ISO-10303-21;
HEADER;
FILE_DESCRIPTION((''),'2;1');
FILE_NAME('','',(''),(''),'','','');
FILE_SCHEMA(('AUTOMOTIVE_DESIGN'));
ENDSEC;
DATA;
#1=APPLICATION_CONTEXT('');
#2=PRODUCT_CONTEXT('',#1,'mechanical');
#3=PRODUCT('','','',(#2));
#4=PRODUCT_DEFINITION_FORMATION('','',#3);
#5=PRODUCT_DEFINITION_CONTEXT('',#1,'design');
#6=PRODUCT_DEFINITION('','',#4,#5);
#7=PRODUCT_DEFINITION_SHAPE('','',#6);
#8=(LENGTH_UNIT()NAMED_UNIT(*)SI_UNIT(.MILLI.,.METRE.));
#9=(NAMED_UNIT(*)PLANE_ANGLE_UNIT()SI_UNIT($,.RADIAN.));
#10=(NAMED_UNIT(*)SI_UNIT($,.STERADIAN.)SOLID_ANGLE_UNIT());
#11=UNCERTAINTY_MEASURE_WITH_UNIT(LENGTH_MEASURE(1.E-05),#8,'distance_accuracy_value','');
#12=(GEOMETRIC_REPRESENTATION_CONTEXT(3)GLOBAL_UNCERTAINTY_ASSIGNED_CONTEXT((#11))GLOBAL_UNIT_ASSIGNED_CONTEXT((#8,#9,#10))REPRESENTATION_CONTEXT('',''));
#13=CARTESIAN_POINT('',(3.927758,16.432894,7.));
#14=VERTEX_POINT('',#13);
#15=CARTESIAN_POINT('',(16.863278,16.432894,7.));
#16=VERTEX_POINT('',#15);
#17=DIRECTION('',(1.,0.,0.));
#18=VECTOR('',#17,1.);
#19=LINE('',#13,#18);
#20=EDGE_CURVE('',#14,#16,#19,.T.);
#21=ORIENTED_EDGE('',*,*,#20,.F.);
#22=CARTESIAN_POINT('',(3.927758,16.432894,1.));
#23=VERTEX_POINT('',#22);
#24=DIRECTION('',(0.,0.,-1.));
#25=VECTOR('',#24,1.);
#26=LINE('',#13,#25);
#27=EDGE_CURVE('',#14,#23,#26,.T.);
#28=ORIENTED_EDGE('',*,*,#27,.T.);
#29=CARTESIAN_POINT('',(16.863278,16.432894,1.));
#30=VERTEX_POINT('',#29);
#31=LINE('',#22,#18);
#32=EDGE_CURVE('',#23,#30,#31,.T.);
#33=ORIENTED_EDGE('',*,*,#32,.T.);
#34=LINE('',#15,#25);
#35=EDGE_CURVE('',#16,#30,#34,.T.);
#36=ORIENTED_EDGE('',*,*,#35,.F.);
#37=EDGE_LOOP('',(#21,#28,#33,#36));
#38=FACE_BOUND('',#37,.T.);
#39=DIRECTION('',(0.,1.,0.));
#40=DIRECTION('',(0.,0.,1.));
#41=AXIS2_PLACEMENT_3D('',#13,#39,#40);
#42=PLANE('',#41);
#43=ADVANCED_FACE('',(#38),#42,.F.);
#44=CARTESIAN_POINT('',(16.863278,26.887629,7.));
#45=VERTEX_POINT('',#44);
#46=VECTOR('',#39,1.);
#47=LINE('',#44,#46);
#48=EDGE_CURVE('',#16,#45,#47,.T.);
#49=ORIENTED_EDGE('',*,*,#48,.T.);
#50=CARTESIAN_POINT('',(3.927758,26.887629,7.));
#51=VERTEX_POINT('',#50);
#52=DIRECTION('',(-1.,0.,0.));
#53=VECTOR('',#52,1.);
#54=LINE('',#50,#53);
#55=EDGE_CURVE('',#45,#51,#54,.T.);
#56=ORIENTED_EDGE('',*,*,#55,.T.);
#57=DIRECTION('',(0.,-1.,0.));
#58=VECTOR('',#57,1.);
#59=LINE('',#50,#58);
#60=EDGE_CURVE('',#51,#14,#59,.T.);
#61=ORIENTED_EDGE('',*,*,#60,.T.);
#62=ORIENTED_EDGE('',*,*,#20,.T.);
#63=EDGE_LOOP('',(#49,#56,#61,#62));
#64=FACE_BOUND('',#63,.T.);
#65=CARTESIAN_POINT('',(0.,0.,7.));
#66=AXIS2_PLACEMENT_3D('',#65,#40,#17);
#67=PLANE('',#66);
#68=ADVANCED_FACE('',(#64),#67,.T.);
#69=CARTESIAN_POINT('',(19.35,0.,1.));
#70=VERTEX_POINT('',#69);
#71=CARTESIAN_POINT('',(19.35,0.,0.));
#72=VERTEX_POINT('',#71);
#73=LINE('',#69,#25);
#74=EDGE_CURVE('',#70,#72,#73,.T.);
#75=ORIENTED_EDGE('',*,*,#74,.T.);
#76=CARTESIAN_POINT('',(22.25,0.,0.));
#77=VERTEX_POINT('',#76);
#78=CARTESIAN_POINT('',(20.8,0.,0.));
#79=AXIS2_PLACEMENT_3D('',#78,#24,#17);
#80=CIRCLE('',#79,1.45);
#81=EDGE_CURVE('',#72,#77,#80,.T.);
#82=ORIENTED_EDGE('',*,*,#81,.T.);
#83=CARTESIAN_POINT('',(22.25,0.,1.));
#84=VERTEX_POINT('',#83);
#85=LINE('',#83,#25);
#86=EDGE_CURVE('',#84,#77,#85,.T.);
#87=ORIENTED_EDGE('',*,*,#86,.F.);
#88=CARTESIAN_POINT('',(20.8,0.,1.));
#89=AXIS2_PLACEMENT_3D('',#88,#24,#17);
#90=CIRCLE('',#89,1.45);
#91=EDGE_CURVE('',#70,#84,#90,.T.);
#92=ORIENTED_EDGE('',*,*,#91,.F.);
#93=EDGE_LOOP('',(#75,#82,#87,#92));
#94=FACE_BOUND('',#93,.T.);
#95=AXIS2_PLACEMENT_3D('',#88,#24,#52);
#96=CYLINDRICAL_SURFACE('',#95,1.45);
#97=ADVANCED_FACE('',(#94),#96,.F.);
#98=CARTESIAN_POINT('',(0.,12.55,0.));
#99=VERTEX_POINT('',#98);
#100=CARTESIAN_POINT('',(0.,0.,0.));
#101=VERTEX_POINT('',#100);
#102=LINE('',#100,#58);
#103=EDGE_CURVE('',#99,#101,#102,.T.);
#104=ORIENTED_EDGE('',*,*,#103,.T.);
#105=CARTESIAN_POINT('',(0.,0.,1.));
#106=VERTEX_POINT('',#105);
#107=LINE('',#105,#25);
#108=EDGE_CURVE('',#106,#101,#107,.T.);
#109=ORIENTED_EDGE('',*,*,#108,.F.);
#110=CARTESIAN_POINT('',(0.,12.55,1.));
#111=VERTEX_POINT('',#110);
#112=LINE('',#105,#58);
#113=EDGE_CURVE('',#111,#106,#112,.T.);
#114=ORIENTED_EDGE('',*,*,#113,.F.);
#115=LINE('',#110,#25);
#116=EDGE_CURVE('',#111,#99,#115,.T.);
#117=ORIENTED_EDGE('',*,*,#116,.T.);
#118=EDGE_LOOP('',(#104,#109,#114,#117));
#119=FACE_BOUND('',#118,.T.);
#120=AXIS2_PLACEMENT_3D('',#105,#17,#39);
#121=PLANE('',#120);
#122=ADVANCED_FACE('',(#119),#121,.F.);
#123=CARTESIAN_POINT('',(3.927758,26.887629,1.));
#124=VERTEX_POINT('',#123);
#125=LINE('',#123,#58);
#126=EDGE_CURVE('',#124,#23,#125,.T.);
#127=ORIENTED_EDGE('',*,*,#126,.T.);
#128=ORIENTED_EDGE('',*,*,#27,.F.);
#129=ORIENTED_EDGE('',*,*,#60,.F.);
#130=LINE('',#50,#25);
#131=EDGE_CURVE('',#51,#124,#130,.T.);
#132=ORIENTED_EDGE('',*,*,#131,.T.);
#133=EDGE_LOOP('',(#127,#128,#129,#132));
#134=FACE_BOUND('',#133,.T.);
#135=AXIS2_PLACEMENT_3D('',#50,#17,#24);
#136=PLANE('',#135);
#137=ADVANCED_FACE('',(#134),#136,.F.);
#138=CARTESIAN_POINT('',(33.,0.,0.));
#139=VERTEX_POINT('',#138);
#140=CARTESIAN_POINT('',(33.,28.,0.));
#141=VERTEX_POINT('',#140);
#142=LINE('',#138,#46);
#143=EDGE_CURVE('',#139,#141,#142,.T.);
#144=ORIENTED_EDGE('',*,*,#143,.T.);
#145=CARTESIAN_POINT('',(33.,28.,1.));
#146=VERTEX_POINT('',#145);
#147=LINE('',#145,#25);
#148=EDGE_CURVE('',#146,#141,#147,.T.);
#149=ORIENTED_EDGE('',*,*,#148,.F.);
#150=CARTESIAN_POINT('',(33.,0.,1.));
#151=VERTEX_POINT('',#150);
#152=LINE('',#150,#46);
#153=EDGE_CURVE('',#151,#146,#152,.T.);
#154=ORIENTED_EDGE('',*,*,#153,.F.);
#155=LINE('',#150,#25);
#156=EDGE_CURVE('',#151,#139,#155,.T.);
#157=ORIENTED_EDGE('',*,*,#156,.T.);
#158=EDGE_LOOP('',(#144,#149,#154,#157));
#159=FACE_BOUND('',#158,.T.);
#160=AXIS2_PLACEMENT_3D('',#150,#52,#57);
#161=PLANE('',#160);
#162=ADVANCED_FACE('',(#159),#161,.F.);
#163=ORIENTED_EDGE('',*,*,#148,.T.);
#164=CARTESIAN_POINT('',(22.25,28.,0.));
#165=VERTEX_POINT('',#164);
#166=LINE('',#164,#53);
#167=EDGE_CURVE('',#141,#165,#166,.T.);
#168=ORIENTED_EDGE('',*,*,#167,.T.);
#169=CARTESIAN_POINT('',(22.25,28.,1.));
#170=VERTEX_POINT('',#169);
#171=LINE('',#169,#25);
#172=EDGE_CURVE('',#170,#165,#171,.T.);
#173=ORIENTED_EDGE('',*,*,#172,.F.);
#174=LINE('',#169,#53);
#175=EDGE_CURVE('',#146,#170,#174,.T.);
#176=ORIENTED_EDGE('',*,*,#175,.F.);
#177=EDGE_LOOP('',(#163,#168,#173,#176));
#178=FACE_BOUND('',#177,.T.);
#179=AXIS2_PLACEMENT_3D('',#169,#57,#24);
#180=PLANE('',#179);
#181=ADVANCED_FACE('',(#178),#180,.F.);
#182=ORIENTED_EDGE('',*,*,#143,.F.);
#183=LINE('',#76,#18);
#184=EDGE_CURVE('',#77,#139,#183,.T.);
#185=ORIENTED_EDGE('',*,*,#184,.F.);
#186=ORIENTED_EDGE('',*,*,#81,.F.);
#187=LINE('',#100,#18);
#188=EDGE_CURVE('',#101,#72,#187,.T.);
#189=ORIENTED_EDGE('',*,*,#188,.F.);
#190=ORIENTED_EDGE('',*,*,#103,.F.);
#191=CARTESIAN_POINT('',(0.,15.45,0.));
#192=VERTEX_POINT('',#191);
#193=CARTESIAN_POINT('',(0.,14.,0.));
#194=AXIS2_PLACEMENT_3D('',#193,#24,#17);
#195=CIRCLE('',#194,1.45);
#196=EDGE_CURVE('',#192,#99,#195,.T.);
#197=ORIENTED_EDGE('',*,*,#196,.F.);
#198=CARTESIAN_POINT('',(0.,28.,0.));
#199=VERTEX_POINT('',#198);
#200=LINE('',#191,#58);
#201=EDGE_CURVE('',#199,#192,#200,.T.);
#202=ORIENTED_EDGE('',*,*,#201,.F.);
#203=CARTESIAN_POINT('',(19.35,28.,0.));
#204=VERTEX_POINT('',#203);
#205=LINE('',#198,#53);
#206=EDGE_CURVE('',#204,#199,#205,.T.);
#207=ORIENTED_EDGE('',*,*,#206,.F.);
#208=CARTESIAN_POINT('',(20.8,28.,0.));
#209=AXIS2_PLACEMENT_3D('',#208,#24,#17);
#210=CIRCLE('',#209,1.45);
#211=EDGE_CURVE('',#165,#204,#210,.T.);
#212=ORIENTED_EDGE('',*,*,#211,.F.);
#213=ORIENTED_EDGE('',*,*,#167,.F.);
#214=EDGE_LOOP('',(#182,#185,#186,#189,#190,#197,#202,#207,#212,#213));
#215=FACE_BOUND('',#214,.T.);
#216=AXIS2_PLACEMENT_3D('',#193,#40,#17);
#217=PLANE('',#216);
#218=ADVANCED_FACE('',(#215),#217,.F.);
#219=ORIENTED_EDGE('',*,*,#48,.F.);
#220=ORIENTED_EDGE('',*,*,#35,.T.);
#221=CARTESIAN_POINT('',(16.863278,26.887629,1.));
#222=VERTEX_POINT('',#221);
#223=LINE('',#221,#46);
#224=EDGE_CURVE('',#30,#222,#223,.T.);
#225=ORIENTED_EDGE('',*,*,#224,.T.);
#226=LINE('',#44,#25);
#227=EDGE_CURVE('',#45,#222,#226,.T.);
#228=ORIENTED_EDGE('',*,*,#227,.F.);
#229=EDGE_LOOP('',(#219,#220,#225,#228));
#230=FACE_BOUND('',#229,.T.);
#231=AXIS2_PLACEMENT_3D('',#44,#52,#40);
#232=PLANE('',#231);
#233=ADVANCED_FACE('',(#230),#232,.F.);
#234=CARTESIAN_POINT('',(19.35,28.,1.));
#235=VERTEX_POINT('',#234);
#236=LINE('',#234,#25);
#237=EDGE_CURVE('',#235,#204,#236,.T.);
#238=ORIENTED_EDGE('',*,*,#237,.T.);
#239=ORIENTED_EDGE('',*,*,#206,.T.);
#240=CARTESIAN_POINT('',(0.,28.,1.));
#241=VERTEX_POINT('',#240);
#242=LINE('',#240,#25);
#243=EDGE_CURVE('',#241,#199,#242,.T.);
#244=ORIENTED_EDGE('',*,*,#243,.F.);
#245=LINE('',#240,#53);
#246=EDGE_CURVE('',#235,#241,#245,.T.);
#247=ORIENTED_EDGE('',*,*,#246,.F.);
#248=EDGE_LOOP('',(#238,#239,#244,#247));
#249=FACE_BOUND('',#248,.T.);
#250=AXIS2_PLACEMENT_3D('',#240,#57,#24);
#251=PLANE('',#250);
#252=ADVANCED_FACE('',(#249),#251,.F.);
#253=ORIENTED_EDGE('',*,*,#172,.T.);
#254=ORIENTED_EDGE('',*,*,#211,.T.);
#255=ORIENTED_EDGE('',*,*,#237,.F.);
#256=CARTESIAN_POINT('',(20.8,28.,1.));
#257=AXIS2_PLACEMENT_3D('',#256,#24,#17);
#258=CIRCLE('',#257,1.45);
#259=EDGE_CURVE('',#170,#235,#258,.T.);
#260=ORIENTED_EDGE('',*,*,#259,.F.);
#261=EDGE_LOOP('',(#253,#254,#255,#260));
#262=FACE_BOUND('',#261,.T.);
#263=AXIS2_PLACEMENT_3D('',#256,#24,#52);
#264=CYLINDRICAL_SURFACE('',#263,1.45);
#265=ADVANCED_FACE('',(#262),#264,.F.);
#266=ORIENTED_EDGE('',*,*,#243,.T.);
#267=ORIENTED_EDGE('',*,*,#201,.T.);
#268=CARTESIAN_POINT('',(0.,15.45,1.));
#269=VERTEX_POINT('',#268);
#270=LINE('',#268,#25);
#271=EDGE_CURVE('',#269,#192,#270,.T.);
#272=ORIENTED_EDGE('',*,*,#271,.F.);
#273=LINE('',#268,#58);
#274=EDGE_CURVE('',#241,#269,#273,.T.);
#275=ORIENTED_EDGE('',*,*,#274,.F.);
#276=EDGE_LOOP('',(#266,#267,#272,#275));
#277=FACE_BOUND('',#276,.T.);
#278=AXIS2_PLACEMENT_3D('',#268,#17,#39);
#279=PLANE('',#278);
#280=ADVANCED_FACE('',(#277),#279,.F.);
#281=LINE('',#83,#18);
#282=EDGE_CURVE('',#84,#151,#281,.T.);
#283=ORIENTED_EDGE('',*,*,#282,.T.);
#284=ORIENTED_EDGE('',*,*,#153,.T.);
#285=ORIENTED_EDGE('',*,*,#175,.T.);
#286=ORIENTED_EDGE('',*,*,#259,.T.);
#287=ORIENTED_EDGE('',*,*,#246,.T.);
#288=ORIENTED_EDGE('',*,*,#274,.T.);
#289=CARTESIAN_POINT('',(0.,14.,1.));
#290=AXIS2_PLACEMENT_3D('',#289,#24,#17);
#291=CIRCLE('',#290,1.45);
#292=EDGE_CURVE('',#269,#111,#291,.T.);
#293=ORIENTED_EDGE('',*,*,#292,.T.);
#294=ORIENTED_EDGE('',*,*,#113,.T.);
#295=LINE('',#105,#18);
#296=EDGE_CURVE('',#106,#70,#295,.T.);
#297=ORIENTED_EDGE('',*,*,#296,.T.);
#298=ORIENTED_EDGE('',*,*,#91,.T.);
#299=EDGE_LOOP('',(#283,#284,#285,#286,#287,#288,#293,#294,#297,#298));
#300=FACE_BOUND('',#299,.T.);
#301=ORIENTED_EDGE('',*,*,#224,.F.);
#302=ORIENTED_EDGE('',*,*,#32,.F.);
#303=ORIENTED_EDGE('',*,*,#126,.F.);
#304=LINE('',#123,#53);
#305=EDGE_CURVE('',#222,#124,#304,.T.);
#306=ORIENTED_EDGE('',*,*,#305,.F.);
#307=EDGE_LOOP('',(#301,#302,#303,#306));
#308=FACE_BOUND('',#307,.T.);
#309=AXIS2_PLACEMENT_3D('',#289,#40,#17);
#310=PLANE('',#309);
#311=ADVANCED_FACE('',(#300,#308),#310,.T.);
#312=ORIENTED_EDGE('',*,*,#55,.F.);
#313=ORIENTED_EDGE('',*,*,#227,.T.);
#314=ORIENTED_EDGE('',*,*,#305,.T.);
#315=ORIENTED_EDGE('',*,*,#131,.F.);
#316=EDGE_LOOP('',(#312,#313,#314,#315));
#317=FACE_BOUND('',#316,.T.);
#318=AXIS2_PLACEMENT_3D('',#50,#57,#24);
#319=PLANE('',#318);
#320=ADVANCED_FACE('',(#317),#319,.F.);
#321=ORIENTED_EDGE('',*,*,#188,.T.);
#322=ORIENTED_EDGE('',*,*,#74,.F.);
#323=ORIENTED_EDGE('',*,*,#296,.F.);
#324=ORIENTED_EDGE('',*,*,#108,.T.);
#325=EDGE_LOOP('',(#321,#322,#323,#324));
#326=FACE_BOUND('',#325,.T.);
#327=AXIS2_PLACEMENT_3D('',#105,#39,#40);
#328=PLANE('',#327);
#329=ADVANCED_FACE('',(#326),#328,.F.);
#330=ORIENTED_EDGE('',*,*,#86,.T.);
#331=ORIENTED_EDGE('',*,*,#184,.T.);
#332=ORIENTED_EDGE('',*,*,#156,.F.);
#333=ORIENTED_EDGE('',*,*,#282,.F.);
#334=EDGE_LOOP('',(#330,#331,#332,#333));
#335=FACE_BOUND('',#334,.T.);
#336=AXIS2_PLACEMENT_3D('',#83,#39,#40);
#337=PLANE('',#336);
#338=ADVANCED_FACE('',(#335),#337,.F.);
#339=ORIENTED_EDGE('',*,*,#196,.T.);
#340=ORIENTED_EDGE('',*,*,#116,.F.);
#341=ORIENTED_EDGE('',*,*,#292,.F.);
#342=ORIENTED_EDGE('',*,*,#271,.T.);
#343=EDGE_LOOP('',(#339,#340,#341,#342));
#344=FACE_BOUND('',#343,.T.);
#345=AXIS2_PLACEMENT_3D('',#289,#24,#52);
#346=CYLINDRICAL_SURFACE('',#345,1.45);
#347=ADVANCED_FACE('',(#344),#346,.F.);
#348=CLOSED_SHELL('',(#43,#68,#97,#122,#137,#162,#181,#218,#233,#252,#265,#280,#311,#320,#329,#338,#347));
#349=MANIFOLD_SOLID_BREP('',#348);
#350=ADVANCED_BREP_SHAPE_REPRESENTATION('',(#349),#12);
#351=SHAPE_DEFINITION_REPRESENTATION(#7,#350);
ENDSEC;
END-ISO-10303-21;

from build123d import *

# Parameters (mm, degrees)
EXTRUDE_1_DEPTH = 1
SKETCH_2_W      = 12.935520023
SKETCH_2_H      = 10.454735361
EXTRUDE_2_DEPTH = 6


with BuildPart() as part:
    # Эскиз1 → Бобышка-Вытянуть1 (new body)
    with BuildSketch(Plane.XY):
        with BuildLine():
            Line((0, 0), (19.35, 0))
            ThreePointArc((19.35, 0), (20.8, 1.45), (22.25, 0))
            Line((22.25, 0), (33, 0))
            Line((33, 0), (33, 28))
            Line((33, 28), (22.25, 28))
            ThreePointArc((22.25, 28), (20.8, 26.55), (19.35, 28))
            Line((19.35, 28), (0, 28))
            Line((0, 28), (0, 15.45))
            ThreePointArc((0, 15.45), (1.45, 14), (0, 12.55))
            Line((0, 12.55), (0, 0))
        make_face()
    extrude(amount=EXTRUDE_1_DEPTH)

    # Эскиз2 → Бобышка-Вытянуть2 (add)
    with BuildSketch(Plane.XY.offset(1)):
        with Locations((10.395518043, 21.660261576)):
            Rectangle(SKETCH_2_W, SKETCH_2_H)
    extrude(amount=EXTRUDE_2_DEPTH)


solid = part.part
